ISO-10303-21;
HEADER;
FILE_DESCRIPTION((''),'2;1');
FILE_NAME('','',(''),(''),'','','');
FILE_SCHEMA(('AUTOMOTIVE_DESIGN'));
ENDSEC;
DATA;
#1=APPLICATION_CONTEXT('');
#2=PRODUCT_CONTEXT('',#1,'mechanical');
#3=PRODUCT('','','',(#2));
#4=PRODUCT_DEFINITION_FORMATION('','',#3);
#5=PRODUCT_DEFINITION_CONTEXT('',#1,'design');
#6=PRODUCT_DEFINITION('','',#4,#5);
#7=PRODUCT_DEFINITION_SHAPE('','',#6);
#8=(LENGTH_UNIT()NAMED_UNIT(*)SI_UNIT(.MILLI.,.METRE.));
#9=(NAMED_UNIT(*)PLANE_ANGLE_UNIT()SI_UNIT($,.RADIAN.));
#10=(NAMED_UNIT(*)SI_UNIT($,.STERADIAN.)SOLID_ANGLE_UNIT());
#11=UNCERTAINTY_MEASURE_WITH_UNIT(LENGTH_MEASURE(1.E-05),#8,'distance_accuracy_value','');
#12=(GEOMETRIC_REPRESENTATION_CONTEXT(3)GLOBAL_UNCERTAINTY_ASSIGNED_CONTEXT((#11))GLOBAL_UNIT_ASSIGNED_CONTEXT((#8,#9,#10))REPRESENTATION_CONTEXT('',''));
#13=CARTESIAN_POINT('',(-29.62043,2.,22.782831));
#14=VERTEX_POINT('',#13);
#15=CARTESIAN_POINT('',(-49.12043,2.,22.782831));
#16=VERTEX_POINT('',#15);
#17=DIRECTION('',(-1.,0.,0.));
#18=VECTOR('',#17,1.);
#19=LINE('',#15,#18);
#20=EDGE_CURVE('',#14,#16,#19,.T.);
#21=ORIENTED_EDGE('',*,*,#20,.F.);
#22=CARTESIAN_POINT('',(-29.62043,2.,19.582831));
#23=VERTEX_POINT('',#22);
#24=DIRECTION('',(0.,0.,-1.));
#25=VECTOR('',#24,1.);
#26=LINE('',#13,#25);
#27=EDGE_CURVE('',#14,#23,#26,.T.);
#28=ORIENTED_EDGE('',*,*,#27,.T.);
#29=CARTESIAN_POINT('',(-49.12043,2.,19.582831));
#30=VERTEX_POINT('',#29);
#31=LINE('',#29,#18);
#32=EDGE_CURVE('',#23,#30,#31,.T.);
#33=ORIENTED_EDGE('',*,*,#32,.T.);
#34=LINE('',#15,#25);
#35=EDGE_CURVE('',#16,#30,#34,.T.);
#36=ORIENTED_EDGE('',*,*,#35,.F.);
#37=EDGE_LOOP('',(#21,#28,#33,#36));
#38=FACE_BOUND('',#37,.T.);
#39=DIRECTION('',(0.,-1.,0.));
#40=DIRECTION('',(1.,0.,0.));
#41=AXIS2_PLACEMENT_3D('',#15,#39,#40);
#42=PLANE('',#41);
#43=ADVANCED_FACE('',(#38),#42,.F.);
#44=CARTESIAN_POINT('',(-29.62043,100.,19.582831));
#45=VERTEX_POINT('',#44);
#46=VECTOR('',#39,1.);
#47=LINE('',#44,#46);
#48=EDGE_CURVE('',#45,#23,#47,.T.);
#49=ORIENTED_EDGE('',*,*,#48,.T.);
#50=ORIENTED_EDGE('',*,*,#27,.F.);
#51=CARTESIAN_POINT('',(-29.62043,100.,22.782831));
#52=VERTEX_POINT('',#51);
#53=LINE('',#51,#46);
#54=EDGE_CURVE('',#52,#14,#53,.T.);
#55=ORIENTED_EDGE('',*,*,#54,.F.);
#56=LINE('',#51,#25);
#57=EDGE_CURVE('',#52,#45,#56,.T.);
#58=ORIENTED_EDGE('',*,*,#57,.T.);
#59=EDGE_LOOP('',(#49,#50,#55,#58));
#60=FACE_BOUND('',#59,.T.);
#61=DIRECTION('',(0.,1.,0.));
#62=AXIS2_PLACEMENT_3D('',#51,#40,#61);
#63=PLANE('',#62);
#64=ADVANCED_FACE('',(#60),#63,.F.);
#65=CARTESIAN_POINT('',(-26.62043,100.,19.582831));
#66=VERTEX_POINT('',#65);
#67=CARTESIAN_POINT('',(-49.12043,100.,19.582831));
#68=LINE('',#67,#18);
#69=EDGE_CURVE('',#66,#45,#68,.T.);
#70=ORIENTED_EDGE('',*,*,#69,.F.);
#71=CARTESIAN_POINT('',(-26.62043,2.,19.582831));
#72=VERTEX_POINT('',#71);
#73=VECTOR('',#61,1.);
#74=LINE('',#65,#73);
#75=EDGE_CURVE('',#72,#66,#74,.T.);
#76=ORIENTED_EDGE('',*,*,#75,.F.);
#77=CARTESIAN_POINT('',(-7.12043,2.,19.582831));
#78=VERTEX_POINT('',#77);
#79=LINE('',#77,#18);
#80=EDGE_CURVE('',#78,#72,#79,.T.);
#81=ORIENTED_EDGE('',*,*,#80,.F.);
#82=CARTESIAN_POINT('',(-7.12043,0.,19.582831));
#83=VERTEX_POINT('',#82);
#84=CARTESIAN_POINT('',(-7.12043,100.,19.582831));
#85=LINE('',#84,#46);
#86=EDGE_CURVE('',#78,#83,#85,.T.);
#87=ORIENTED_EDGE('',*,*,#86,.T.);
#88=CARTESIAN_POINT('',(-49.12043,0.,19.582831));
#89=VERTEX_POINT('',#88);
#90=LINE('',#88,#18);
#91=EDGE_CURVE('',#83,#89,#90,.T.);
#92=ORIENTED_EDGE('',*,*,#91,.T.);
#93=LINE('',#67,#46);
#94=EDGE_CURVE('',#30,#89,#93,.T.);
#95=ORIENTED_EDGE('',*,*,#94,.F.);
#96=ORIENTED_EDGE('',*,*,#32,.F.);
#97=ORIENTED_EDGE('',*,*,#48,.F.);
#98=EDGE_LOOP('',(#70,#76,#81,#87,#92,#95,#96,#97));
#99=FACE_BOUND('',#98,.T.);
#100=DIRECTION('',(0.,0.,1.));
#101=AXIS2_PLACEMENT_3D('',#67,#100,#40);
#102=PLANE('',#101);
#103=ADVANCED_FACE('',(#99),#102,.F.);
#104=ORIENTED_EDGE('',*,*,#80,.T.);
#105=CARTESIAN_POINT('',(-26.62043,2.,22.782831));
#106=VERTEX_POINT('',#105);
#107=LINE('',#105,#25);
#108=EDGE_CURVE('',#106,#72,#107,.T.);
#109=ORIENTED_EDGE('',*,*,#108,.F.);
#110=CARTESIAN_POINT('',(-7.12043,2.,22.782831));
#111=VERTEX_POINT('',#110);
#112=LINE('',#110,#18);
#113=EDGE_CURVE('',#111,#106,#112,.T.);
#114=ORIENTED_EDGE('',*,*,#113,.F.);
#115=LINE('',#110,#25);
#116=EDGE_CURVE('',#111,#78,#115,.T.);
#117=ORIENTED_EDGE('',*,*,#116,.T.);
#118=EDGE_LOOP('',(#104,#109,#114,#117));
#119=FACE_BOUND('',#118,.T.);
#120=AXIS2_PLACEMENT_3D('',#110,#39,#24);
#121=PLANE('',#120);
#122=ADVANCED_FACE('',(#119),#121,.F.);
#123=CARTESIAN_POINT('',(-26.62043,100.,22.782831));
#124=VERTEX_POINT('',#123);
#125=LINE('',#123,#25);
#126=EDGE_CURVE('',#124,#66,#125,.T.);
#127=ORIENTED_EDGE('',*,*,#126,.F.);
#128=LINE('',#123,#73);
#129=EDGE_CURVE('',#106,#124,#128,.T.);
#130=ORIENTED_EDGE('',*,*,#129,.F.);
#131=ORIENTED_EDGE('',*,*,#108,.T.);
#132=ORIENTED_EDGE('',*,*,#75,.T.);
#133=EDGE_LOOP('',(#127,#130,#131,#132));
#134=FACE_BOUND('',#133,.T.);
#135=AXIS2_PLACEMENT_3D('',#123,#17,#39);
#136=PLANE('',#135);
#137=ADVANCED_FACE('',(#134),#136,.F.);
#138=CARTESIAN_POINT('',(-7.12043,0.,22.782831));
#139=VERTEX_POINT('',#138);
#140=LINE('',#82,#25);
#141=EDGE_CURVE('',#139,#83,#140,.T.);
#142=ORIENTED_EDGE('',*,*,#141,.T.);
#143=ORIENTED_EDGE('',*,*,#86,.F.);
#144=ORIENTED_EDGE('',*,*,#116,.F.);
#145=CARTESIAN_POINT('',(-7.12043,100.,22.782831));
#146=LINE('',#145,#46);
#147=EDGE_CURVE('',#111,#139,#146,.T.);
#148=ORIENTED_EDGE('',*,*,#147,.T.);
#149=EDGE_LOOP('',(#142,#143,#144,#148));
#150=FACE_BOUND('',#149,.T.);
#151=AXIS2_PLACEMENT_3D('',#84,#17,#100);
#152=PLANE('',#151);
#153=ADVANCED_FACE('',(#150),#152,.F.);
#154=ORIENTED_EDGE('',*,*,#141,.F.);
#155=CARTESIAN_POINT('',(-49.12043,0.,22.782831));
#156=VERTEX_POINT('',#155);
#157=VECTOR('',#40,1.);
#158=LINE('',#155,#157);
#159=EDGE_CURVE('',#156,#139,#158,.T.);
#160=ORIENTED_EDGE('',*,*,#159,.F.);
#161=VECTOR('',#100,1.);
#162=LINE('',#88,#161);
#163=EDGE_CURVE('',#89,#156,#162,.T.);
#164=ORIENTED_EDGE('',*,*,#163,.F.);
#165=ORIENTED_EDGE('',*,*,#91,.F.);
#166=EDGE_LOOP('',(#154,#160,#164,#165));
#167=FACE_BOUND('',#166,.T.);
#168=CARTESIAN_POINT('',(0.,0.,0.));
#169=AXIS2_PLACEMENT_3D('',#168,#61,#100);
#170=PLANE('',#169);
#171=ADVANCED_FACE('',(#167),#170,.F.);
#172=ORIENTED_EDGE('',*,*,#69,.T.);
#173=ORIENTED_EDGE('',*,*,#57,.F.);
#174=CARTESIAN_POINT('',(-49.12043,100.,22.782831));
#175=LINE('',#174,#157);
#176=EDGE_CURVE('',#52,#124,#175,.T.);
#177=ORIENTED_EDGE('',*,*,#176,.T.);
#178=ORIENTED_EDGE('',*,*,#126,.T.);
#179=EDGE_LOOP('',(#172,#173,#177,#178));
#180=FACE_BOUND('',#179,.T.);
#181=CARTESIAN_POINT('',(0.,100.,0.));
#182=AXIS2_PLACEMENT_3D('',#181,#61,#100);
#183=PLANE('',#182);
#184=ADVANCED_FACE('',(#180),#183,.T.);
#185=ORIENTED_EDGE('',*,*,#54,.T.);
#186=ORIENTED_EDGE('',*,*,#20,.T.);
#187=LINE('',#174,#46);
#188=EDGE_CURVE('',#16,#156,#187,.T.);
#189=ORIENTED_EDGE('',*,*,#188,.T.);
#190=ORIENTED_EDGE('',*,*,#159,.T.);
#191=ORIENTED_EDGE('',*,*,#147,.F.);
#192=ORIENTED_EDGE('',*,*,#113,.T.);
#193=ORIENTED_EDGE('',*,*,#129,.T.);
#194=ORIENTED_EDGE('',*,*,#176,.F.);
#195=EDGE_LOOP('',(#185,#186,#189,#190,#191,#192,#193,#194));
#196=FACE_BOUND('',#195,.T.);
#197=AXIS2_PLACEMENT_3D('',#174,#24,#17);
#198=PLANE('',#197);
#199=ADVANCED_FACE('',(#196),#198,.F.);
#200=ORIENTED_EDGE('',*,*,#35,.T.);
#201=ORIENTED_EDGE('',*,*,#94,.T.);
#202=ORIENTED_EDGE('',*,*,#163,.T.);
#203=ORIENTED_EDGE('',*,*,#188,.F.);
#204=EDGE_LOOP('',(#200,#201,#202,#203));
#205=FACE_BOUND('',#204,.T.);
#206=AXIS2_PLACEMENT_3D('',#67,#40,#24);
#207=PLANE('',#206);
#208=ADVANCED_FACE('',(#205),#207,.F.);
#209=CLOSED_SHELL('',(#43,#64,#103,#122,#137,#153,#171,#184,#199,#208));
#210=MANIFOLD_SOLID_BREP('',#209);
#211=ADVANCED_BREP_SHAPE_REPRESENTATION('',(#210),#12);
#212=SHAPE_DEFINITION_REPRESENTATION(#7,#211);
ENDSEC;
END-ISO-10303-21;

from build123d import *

# Parameters (mm, degrees)
SKETCH_1_W          = 42
SKETCH_1_H          = 3.2
EXTRUDE_1_DEPTH     = 100
SKETCH_4_W          = 19.5
SKETCH_4_H          = 98
CUT_EXTRUDE_2_DEPTH = 112.45876677


with BuildPart() as part:
    # 草图1 → 凸台-拉伸1 (new body)
    with BuildSketch(Plane(origin=(0, 0, 0), x_dir=(1, 0, 0), z_dir=(0, 1, 0))):
        with Locations((-28.120430474, -21.18283124)):
            Rectangle(SKETCH_1_W, SKETCH_1_H)
    extrude(amount=EXTRUDE_1_DEPTH)

    # 草图4 → 切除-拉伸2 (cut, through all)
    with BuildSketch(Plane(origin=(0, 0, 19.58283124), x_dir=(-1, 0, 0), z_dir=(0, 0, -1))):
        with Locations((39.370430474, 51)):
            Rectangle(SKETCH_4_W, SKETCH_4_H)
        with Locations((16.870430474, 51)):
            Rectangle(SKETCH_4_W, SKETCH_4_H)
    extrude(amount=-CUT_EXTRUDE_2_DEPTH, mode=Mode.SUBTRACT)


solid = part.part
